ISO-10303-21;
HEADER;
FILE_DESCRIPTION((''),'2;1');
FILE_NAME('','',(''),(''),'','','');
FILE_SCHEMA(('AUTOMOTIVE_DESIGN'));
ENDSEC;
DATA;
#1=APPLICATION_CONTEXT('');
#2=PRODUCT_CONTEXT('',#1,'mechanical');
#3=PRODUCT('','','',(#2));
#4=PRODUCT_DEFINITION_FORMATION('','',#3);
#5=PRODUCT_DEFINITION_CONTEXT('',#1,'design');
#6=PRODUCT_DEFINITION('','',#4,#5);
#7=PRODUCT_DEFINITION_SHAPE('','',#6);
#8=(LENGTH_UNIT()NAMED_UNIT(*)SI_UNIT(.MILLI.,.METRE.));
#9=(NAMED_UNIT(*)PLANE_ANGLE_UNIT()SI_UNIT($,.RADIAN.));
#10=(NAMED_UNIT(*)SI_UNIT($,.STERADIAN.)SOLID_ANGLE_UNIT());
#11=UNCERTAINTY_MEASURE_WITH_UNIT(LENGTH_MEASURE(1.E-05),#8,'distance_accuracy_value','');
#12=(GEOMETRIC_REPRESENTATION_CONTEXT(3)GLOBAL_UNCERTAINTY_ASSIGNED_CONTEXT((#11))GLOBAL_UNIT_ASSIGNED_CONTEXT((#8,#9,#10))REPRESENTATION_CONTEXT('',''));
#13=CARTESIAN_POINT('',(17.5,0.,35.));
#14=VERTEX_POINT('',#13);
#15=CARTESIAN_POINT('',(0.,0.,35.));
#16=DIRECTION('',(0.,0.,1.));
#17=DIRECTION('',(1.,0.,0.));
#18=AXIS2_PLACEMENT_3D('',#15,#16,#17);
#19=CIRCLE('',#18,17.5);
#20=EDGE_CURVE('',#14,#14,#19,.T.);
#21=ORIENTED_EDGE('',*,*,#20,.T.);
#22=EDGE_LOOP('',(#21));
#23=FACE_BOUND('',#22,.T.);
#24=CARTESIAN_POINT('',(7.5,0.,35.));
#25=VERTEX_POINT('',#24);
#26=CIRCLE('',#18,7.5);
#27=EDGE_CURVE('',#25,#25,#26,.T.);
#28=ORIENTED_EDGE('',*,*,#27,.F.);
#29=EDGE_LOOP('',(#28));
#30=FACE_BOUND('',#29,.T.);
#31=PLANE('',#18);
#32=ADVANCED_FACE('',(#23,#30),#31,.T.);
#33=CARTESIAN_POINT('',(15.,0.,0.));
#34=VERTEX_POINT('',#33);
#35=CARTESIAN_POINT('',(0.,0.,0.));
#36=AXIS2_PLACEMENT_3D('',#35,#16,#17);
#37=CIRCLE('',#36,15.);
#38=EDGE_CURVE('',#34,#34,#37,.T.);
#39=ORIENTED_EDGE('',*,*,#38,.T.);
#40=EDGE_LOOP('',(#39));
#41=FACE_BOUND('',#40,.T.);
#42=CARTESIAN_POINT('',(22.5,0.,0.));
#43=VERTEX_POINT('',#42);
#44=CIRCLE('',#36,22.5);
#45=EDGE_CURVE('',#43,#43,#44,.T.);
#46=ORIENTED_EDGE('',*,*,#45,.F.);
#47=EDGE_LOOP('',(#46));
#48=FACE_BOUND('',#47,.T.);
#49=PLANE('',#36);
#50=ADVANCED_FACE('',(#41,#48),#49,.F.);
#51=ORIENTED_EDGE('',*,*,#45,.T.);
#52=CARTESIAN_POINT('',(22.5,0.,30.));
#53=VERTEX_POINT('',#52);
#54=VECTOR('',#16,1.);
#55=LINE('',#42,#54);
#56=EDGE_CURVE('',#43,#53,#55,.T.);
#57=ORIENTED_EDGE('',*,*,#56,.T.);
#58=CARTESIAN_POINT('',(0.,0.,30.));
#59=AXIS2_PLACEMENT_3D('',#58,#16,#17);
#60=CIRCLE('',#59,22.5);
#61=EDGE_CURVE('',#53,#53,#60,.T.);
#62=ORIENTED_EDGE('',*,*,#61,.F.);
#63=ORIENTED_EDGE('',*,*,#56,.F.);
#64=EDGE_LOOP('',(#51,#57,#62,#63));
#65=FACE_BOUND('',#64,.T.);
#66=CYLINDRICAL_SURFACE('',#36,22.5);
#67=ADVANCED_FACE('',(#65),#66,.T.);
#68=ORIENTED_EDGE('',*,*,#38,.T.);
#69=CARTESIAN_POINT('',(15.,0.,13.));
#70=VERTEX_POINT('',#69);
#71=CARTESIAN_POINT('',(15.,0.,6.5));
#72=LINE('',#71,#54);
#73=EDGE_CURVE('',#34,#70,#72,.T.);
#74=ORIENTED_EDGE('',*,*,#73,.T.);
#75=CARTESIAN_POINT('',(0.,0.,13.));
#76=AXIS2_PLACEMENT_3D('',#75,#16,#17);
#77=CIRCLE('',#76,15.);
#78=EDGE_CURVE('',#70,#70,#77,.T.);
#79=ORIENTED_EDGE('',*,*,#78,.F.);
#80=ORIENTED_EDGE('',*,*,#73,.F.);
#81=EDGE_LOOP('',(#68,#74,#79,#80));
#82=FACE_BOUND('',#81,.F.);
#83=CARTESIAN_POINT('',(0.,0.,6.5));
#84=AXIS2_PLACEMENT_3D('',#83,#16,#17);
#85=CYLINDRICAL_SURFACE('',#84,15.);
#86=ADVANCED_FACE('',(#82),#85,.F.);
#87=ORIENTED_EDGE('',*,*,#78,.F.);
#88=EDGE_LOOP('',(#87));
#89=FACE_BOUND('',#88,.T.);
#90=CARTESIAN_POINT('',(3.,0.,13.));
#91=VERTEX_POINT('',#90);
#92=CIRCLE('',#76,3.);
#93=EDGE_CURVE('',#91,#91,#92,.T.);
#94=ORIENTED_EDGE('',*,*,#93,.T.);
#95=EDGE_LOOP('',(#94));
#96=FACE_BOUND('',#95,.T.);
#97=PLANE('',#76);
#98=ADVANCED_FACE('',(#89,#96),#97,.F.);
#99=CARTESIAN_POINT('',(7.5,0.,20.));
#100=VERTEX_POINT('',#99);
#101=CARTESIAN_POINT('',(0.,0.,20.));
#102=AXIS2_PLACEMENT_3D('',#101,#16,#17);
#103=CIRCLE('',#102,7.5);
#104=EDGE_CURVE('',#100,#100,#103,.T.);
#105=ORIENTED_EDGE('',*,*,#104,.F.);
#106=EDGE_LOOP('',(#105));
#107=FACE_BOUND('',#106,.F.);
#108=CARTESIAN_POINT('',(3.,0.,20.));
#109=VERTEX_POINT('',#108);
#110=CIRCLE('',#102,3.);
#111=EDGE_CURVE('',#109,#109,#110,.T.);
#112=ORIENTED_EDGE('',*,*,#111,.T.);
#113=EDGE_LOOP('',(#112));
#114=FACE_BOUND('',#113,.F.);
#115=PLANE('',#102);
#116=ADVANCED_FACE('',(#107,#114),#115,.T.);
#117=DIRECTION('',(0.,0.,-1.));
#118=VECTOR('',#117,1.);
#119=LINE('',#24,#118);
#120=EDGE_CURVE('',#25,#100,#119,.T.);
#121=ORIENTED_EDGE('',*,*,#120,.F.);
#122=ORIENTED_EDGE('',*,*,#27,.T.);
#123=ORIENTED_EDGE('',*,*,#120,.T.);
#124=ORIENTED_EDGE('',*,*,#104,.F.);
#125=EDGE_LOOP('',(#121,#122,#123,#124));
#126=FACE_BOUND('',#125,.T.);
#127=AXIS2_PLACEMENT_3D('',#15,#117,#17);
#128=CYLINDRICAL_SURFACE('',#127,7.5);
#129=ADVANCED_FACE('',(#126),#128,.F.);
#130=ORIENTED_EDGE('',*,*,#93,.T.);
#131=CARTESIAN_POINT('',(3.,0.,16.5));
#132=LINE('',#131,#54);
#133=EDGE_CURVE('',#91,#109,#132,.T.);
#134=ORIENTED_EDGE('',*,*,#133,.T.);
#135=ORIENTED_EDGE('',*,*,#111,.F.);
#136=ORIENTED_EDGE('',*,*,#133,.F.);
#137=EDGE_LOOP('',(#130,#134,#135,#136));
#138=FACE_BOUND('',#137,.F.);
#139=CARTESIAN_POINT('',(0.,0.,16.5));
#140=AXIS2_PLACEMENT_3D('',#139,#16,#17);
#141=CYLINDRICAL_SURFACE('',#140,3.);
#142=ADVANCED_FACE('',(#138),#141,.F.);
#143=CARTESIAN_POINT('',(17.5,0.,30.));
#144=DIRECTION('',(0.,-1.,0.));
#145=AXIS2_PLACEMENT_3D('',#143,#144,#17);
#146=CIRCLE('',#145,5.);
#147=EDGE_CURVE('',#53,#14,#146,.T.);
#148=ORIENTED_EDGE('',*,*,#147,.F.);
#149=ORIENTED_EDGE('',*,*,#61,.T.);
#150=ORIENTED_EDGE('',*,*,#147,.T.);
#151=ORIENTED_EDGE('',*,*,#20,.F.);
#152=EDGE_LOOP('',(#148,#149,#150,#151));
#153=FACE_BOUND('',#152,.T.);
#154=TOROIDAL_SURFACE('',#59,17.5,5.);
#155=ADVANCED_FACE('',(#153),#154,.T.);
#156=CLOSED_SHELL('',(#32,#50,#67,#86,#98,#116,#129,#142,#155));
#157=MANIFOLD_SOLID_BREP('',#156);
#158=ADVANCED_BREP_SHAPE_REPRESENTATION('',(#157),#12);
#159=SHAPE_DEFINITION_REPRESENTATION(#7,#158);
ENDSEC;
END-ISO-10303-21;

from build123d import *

# Parameters (mm, degrees)
F0_W   = 7.5
F0_H   = 15
F0_H_2 = 7
F0_W_2 = 4.5
F0_H_3 = 13
F2_R   = 5


with BuildPart() as f1:
    # F0 (on Front) → F1 (revolve)
    with BuildSketch(Plane.XZ):
        with Locations((11.25, 27.5)):
            Rectangle(F0_W, F0_H)
        with Locations((18.75, 27.5)):
            Rectangle(F0_W, F0_H)
        with Locations((18.75, 16.5)):
            Rectangle(F0_W, F0_H_2)
        with Locations((11.25, 16.5)):
            Rectangle(F0_W, F0_H_2)
        with Locations((5.25, 16.5)):
            Rectangle(F0_W_2, F0_H_2)
        with Locations((18.75, 6.5)):
            Rectangle(F0_W, F0_H_3)
    revolve(axis=Axis((0, 0, 17.5), (0, 0, 1)))

    # F2
    f2_edges = [f1.edges().sort_by_distance(p)[0] for p in [
        (-22.5, 0, 35),
    ]]
    fillet(f2_edges, radius=F2_R)


solid = f1.part
